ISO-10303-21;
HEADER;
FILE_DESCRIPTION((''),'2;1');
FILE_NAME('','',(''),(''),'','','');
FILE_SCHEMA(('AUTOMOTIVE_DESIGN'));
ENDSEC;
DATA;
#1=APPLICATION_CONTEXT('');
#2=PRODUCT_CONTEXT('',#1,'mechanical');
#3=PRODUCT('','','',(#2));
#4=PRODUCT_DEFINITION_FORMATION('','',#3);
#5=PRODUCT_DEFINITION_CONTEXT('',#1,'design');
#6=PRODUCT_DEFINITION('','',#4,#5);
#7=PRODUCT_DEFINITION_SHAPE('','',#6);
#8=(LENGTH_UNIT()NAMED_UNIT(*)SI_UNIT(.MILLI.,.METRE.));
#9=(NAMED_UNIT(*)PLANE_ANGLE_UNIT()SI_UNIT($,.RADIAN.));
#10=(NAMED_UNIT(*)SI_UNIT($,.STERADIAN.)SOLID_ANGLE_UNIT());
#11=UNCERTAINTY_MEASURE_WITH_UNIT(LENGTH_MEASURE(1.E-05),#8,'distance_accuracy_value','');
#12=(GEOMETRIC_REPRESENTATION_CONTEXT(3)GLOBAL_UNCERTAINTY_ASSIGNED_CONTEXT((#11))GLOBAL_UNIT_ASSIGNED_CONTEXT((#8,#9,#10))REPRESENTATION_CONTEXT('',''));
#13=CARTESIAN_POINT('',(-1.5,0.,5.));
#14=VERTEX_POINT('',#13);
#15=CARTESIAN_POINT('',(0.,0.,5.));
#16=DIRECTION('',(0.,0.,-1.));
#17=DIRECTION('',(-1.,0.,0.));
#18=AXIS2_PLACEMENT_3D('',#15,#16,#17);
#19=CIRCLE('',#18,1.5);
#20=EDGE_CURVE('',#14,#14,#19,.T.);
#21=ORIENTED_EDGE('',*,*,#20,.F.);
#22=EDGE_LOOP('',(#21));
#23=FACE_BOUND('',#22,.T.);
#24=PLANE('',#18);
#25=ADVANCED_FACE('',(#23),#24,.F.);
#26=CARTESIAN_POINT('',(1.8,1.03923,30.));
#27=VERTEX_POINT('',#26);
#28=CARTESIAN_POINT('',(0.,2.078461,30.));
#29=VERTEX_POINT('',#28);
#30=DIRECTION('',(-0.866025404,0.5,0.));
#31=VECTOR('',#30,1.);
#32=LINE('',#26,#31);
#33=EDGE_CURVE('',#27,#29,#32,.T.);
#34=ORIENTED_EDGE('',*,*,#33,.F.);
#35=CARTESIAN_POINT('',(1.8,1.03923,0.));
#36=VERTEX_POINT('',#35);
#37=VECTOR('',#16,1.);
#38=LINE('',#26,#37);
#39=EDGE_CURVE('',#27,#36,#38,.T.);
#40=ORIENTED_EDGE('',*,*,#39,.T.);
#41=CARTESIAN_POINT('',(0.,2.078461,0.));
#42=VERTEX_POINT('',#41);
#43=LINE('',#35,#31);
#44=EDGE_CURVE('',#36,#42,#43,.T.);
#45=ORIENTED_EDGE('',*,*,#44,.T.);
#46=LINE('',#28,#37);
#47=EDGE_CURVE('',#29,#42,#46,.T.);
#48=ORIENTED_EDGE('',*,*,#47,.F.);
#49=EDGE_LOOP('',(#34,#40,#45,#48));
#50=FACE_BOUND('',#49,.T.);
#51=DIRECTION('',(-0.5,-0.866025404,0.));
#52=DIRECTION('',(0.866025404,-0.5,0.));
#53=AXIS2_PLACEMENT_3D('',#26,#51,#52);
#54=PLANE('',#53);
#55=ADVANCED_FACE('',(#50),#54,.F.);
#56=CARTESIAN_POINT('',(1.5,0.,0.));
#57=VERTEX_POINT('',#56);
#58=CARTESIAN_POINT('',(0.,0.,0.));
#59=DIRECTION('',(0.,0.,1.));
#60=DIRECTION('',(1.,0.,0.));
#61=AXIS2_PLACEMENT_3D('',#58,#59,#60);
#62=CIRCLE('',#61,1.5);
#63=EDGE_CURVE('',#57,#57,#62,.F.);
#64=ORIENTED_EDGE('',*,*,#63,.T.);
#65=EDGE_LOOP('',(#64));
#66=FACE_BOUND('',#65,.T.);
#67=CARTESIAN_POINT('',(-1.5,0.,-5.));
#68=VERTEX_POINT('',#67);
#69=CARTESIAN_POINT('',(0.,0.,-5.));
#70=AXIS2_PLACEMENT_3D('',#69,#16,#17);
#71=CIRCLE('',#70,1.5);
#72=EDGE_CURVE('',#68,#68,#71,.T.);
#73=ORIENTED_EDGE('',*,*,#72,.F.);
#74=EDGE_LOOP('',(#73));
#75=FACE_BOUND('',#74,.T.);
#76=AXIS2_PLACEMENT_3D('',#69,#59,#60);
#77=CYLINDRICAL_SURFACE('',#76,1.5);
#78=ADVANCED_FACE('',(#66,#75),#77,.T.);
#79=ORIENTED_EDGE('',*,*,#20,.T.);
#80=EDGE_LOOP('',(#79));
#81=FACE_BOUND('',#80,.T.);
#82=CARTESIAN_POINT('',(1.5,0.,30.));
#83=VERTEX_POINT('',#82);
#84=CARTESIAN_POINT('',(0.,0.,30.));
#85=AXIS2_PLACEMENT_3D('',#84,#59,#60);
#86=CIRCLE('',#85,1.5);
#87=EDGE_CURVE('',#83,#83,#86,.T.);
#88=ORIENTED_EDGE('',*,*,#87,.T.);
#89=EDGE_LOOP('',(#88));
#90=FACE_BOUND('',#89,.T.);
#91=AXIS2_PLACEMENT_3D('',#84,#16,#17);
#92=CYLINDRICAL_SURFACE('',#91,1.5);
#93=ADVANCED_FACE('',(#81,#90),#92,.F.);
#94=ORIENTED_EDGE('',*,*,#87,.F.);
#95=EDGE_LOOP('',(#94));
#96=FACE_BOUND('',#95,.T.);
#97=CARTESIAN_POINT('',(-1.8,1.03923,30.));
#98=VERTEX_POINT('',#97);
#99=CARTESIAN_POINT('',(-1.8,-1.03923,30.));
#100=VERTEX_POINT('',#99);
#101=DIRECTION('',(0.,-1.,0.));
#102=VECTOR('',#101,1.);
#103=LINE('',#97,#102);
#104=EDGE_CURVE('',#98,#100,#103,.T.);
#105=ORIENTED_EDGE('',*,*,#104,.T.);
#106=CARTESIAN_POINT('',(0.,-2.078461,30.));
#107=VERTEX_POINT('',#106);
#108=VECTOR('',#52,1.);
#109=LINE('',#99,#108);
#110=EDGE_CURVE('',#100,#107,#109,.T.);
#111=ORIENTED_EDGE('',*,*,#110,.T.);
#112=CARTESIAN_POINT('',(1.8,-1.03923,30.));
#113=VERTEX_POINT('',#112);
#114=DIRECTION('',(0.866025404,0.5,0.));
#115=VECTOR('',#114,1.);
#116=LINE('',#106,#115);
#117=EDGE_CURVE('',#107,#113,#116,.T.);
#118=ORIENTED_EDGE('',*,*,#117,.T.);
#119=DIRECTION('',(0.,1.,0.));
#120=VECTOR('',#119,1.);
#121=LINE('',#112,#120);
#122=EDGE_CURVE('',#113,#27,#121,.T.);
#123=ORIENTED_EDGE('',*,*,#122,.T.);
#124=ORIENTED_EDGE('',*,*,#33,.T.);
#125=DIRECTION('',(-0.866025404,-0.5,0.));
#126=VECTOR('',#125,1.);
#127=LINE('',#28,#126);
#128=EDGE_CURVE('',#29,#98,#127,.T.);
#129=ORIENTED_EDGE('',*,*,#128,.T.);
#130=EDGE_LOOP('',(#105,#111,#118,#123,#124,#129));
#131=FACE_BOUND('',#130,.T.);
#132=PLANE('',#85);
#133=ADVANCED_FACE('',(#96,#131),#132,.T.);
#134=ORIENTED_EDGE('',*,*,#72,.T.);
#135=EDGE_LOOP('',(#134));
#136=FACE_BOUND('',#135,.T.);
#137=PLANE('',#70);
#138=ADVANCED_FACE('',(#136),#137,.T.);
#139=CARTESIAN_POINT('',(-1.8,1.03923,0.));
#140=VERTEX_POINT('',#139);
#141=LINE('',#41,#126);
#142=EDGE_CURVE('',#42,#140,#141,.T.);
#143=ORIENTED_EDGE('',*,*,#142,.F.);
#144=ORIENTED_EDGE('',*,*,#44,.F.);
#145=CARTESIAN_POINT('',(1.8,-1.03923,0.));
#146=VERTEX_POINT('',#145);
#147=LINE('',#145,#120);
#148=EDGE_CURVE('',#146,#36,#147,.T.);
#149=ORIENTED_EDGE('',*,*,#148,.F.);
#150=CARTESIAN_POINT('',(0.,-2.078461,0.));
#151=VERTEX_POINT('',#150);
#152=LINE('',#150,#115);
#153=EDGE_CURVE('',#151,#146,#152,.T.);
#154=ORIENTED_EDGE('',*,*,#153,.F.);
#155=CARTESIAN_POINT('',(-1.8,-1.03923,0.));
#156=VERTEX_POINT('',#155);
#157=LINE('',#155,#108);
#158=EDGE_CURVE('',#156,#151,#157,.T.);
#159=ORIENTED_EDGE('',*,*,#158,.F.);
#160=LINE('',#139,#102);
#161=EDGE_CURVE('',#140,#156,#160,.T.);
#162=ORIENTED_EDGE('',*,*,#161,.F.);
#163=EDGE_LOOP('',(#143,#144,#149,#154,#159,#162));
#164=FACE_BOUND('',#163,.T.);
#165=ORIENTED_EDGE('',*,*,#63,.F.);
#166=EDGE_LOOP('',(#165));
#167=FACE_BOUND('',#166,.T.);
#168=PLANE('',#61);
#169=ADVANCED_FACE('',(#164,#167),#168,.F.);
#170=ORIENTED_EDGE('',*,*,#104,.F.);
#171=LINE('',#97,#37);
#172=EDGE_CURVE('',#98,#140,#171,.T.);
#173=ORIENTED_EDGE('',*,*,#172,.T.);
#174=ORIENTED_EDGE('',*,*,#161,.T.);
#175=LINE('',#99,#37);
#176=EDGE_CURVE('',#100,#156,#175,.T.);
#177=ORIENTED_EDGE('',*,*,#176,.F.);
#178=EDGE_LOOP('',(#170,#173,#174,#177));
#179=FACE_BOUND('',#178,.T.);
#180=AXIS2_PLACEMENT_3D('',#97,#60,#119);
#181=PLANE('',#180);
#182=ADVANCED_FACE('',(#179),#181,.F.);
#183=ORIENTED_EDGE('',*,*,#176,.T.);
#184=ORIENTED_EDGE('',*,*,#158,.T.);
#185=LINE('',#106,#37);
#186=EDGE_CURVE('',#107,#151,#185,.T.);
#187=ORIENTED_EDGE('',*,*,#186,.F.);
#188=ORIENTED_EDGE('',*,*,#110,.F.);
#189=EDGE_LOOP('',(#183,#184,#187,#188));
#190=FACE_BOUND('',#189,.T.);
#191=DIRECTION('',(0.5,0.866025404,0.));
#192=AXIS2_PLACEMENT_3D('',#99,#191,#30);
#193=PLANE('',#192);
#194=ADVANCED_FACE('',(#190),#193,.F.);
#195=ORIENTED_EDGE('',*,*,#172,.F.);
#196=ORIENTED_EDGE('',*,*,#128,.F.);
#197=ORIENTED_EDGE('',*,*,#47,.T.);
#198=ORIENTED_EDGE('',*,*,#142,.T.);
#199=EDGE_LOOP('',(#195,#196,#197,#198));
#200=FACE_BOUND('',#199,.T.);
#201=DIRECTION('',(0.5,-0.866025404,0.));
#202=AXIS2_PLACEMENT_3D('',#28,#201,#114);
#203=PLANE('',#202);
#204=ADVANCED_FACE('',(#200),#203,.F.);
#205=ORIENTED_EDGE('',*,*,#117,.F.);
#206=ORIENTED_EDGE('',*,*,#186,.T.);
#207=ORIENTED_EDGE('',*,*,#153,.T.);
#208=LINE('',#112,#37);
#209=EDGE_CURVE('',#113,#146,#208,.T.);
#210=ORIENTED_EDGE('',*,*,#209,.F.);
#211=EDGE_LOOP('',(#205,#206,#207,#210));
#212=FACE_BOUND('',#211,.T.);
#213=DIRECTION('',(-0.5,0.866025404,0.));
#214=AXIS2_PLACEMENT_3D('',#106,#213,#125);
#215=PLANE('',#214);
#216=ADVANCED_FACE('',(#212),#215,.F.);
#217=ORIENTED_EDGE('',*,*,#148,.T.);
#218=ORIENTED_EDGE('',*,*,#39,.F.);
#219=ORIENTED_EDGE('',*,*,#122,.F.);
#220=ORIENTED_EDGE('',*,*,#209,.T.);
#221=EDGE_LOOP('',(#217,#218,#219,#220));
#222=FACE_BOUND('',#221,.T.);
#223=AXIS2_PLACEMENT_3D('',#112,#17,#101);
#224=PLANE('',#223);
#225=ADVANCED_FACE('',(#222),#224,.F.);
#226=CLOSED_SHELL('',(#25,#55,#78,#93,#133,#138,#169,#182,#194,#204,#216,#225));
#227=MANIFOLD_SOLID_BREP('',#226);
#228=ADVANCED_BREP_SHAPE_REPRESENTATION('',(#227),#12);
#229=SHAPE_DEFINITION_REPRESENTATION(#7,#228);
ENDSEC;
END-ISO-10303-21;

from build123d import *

# Parameters (mm, degrees)
SKETCH_1_R      = 1.5
EXTRUDE_1_DEPTH = 30
SKETCH_2_R      = 1.5
EXTRUDE_2_DEPTH = 5


with BuildPart() as part:
    # 草图1 → 凸台-拉伸1 (new body)
    with BuildSketch(Plane.XY):
        Polygon((0, 2.078460969), (-1.8, 1.039230485), (-1.8, -1.039230485), (0, -2.078460969), (1.8, -1.039230485), (1.8, 1.039230485), align=None)
        Circle(SKETCH_1_R, mode=Mode.SUBTRACT)
    extrude(amount=EXTRUDE_1_DEPTH)

    # 草图2 → 凸台-拉伸2 (add, symmetric)
    with BuildSketch(Plane(origin=(0, 0, 0), x_dir=(-1, 0, 0), z_dir=(0, 0, -1))):
        Circle(SKETCH_2_R)
    extrude(amount=EXTRUDE_2_DEPTH, both=True)


solid = part.part
